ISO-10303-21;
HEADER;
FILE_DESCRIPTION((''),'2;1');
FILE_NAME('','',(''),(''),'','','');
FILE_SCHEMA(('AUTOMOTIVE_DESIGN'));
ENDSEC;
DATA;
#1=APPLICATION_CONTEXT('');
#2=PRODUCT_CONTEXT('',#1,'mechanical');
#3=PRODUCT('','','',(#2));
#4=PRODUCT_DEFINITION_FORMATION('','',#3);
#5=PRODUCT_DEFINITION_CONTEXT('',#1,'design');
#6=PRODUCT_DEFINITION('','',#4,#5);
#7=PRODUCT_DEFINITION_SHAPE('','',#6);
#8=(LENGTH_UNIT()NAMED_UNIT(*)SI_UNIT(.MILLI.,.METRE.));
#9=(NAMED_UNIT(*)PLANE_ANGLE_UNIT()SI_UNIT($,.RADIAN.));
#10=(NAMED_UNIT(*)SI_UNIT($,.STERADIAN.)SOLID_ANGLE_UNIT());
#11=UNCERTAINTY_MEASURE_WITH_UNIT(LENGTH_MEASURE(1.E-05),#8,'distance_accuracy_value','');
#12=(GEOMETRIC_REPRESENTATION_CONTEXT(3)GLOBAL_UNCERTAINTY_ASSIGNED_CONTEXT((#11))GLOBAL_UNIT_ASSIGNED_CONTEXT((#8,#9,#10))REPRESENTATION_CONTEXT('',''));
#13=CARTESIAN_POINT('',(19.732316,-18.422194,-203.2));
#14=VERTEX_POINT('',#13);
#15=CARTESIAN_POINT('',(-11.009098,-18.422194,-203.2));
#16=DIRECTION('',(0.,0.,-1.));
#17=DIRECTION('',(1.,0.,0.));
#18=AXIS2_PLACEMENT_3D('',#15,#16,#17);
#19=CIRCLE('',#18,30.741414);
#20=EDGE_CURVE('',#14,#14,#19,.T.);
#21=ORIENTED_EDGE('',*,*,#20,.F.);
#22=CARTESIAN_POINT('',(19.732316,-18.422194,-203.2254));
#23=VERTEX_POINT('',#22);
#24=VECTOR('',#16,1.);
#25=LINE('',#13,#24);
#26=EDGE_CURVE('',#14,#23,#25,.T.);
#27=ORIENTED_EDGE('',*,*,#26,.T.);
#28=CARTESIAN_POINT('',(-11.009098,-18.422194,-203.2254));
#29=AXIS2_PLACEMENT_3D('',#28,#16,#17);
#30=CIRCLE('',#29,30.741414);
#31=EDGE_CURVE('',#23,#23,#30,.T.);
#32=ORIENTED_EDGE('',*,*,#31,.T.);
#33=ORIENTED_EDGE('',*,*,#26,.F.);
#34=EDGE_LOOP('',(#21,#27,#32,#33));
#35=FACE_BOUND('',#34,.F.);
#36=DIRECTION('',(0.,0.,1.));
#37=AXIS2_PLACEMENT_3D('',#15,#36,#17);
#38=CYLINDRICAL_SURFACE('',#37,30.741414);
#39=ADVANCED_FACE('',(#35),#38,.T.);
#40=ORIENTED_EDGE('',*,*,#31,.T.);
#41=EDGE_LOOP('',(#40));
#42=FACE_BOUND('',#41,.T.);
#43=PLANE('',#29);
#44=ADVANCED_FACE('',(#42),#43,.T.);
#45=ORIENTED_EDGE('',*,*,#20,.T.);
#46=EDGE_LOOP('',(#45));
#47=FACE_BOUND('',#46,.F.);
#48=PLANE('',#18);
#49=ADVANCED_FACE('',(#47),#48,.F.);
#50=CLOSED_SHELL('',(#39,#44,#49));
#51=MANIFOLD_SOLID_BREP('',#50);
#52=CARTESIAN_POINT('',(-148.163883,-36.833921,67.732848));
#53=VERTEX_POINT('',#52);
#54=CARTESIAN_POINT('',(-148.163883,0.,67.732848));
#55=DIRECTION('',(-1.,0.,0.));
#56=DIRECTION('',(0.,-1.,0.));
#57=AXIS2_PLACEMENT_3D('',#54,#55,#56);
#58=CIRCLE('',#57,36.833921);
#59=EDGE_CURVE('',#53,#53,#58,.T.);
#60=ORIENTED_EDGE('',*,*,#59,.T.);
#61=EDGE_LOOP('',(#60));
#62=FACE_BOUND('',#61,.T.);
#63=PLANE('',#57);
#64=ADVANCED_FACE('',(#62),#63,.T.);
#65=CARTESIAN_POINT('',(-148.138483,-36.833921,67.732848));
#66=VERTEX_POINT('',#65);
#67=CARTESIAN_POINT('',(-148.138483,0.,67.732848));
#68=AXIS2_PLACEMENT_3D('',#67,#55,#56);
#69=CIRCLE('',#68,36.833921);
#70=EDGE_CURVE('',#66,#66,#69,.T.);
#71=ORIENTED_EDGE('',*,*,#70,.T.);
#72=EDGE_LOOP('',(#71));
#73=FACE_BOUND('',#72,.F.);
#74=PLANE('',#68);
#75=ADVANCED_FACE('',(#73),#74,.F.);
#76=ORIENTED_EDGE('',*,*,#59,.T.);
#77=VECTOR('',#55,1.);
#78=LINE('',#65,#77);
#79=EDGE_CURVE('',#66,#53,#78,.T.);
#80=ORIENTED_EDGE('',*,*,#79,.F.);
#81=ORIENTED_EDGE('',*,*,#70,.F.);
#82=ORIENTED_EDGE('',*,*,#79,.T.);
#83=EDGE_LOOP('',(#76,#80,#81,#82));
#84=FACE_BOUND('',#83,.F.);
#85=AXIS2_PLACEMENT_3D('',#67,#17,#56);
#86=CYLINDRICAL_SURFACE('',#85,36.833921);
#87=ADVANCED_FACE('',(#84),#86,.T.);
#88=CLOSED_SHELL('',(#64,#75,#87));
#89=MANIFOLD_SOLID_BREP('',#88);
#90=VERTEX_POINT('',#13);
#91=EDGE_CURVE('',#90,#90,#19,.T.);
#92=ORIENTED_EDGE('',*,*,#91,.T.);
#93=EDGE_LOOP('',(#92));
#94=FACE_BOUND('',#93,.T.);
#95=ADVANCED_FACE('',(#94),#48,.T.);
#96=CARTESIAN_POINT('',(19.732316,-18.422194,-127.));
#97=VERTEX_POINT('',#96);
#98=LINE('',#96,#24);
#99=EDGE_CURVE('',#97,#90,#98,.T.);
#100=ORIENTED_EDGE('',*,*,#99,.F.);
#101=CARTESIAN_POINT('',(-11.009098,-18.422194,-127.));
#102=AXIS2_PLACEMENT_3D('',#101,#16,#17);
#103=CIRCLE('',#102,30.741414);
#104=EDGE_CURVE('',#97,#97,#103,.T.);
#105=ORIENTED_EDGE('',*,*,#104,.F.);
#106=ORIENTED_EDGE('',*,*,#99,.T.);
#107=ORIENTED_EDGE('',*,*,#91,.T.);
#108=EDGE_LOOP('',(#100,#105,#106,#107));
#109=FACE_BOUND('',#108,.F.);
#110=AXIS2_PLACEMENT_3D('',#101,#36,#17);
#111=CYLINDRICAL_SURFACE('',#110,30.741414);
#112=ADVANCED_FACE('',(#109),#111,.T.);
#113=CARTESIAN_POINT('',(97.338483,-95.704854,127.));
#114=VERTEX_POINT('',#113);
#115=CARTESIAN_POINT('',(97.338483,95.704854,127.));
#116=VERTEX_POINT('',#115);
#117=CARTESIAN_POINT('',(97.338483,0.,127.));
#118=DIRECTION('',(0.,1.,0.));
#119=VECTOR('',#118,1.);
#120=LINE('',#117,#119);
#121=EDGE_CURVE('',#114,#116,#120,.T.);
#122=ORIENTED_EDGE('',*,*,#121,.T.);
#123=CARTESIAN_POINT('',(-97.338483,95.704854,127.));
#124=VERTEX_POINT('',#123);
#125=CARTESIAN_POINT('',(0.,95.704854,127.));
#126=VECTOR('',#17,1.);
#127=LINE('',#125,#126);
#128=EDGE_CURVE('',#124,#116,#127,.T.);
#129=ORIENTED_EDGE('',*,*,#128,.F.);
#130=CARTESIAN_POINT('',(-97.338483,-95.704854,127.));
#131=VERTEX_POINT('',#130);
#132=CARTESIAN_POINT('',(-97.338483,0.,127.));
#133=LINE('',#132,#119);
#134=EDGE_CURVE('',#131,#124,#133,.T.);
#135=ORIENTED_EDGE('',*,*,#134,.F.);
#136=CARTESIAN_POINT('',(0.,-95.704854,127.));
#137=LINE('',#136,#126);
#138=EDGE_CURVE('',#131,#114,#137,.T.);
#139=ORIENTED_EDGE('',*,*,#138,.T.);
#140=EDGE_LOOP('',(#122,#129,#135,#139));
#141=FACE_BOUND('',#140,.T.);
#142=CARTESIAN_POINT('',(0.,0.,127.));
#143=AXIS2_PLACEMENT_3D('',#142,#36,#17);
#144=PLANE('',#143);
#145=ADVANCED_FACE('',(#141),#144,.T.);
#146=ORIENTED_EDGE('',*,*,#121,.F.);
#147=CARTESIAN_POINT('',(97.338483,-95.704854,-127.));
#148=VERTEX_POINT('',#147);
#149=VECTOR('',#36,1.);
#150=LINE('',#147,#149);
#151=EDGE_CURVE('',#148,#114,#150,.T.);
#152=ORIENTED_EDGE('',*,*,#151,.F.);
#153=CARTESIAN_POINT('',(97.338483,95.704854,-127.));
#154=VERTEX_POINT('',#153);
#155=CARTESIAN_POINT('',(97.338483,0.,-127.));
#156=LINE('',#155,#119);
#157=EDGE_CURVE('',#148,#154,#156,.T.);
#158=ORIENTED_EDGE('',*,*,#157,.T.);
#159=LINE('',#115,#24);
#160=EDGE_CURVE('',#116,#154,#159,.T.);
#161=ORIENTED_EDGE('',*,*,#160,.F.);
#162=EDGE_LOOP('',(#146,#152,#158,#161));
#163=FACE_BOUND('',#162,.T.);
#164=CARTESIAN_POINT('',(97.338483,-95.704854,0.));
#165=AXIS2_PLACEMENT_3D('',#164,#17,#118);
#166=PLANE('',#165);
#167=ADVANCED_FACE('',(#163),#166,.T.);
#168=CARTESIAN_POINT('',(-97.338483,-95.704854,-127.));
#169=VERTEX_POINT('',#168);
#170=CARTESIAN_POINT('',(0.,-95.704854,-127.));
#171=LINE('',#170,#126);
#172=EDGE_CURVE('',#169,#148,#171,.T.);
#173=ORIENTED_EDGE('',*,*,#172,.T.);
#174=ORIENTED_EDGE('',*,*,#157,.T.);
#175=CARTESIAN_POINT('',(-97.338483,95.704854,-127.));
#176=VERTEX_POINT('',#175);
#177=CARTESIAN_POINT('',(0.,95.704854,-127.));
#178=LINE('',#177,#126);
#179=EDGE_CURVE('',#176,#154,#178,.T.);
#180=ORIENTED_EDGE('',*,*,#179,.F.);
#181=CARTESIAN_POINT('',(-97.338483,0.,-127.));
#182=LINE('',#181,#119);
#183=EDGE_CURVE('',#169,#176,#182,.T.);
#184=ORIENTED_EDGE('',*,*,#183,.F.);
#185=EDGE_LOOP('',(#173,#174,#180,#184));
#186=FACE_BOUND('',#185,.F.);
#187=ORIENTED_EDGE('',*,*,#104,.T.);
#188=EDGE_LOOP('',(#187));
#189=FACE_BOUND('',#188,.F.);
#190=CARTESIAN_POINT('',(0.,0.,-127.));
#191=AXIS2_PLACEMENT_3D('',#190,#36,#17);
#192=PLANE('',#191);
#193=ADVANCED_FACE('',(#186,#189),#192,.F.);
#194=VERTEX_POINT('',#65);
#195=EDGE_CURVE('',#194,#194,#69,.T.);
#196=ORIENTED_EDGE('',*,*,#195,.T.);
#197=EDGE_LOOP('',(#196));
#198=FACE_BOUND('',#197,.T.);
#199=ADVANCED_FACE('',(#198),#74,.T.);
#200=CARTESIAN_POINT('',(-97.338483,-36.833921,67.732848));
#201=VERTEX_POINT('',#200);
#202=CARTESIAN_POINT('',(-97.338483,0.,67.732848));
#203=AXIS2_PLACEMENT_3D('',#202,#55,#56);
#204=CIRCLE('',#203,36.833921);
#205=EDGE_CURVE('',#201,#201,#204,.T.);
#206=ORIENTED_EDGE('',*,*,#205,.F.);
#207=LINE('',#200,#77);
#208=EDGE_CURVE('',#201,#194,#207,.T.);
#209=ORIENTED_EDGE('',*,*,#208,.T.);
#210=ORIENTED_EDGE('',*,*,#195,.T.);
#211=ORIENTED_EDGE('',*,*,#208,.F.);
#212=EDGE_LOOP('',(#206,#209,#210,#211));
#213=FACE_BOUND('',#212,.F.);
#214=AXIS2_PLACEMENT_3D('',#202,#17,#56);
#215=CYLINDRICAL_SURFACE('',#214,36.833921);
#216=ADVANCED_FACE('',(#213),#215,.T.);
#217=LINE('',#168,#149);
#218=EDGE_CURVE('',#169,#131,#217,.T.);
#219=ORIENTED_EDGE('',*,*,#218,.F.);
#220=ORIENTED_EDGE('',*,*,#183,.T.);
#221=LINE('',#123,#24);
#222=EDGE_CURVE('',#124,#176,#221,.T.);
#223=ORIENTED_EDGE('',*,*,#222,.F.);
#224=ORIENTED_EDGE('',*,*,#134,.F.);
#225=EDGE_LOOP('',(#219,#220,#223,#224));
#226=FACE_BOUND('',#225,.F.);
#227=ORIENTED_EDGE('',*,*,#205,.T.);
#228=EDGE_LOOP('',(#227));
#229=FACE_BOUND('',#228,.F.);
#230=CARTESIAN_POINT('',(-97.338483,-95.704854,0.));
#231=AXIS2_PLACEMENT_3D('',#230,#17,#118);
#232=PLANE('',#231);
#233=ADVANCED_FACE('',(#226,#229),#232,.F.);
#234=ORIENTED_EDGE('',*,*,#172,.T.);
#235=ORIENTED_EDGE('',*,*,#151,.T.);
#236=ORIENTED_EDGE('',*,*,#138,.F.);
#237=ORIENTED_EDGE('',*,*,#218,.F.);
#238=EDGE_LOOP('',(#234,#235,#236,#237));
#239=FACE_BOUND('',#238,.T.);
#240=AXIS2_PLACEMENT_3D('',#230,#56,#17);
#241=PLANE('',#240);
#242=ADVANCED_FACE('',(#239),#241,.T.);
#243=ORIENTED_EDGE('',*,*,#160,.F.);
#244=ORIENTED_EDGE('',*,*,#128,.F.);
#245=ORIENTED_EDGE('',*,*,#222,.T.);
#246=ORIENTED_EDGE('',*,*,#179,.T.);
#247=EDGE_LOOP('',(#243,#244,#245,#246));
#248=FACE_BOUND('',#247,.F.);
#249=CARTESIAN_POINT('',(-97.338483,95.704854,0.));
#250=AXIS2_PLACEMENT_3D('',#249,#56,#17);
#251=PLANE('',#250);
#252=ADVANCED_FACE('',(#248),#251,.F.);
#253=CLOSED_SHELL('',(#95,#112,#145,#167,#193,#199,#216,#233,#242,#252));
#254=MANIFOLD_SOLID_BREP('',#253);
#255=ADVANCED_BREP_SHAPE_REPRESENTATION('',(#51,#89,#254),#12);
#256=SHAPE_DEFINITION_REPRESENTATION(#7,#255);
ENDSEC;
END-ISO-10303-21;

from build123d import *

# Parameters (mm, degrees)
F0_W      = 194.676966
F0_H      = 191.409708
F1_DEPTH  = 127
F2_R      = 36.833921
F3_DEPTH  = 50.8
F4_R      = 30.741414
F5_DEPTH  = 76.2
F3_FACE_R = 36.833921
F6_DEPTH  = 0.0254
F5_FACE_R = 30.741414
F7_DEPTH  = 0.0254


with BuildPart() as f1:
    # F0 (on Top) → F1 (new body, symmetric)
    with BuildSketch(Plane.XY):
        Rectangle(F0_W, F0_H)
    extrude(amount=F1_DEPTH, both=True)

    # F2 (on face) → F3 (join)
    with BuildSketch(Plane(origin=(-97.338483, 0, 0), x_dir=(0, -1, 0), z_dir=(-1, 0, 0))):
        with Locations((0, 67.732848)):
            Circle(F2_R)
    extrude(amount=F3_DEPTH)

    # F4 (on face) → F5 (join)
    with BuildSketch(Plane(origin=(0, 0, -127), x_dir=(1, 0, 0), z_dir=(0, 0, -1))):
        with Locations((-11.009098, 18.422194)):
            Circle(F4_R)
    extrude(amount=F5_DEPTH)


with BuildPart() as f6:
    # F3_face (on face) → F6 (new body)
    with BuildSketch(Plane(origin=(-148.138483, 0, 67.732848), x_dir=(0, -1, 0), z_dir=(-1, 0, 0))):
        Circle(F3_FACE_R)
    extrude(amount=F6_DEPTH)


with BuildPart() as f7:
    # F5_face (on face) → F7 (new body)
    with BuildSketch(Plane(origin=(-11.009098, -18.422194, -203.2), x_dir=(1, 0, 0), z_dir=(0, 0, -1))):
        Circle(F5_FACE_R)
    extrude(amount=F7_DEPTH)


solid = Compound([f1.part, f6.part, f7.part])
